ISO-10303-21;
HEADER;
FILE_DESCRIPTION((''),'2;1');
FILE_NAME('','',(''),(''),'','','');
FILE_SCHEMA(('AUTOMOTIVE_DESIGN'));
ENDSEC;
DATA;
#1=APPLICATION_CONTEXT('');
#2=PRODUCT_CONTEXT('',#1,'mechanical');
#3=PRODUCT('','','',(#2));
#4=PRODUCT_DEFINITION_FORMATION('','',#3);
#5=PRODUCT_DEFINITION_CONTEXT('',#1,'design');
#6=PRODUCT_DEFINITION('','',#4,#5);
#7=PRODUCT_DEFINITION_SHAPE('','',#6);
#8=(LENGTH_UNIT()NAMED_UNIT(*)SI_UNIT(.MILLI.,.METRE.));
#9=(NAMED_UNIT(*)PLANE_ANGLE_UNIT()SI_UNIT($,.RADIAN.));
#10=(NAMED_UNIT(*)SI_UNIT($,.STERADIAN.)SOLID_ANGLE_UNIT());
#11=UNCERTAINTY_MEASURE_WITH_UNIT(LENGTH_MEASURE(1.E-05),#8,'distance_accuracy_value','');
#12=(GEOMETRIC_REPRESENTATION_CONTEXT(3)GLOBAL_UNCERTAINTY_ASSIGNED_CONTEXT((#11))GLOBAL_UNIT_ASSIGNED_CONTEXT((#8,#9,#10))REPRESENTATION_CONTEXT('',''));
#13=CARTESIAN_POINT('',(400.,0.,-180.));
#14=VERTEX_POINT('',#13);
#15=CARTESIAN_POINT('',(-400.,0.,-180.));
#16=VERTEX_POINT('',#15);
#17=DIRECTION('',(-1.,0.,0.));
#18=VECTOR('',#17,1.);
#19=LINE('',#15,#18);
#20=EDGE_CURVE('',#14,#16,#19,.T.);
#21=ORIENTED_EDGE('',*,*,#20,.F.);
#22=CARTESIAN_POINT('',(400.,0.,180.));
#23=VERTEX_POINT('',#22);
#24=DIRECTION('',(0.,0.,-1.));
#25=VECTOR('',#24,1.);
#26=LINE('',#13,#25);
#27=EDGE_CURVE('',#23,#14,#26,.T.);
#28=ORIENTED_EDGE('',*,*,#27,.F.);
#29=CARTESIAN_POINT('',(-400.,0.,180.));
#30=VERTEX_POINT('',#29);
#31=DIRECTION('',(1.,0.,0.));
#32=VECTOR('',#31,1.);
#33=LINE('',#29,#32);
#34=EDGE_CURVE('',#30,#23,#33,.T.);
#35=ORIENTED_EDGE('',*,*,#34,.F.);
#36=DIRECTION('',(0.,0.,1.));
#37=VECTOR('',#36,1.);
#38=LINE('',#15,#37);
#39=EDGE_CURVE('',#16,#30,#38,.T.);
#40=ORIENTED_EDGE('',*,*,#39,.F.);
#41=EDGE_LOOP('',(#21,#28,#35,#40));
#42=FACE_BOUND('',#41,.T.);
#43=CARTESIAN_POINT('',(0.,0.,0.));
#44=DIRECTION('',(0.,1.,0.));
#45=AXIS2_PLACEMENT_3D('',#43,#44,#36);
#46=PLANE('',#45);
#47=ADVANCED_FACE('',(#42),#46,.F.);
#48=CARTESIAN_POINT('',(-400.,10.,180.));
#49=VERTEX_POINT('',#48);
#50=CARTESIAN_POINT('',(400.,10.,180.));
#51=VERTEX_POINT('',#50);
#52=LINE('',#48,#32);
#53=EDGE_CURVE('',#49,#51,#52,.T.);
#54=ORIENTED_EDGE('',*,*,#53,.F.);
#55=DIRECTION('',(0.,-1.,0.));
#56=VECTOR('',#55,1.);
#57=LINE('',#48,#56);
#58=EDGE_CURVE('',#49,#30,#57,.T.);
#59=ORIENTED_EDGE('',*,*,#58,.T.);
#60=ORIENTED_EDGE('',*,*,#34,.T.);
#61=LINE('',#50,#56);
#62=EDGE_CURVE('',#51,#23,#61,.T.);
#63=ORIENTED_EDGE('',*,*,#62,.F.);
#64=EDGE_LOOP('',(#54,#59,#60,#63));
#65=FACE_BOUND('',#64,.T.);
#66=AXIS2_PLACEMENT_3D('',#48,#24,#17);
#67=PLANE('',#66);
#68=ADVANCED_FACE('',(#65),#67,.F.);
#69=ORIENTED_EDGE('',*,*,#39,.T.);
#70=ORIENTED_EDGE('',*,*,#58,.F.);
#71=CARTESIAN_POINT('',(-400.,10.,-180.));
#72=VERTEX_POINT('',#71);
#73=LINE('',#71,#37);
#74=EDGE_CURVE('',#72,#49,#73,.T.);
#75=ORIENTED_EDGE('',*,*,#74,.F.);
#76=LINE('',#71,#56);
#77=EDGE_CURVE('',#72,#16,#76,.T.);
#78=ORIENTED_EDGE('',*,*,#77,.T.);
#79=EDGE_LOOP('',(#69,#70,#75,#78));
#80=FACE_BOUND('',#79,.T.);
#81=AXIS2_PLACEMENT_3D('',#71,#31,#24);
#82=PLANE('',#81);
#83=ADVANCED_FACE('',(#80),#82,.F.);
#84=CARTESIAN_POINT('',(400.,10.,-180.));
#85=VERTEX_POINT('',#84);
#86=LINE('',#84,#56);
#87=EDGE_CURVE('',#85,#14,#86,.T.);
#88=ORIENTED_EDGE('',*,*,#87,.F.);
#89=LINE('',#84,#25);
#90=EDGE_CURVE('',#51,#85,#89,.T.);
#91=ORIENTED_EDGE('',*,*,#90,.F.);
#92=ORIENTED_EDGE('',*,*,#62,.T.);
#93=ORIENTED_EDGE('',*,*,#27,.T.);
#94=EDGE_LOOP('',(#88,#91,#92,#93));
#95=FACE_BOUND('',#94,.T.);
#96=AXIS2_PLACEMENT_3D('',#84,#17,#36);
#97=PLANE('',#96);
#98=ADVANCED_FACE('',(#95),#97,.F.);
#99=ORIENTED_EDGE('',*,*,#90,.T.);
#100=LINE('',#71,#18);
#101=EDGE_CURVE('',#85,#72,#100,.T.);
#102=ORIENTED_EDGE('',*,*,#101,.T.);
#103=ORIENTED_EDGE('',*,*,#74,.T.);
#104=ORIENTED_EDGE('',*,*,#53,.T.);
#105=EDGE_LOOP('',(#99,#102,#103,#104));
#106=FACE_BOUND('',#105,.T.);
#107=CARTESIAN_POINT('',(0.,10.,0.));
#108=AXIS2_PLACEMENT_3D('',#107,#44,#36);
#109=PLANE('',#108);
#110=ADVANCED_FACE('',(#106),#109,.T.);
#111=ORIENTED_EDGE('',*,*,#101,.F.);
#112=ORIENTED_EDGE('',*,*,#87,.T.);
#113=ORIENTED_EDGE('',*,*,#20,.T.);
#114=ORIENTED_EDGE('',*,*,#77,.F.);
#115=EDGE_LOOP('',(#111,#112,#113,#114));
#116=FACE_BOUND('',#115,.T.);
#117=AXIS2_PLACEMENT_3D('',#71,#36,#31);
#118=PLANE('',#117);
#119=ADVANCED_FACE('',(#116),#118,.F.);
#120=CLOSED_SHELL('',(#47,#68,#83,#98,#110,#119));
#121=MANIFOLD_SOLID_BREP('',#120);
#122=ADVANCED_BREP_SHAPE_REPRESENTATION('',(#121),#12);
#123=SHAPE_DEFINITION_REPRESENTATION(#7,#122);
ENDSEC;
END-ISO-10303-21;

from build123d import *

# Parameters (mm, degrees)
SKETCH_1_W      = 800
SKETCH_1_H      = 360
EXTRUDE_1_DEPTH = 10


with BuildPart() as part:
    # Эскиз1 → Бобышка-Вытянуть1 (new body)
    with BuildSketch(Plane(origin=(0, 0, 0), x_dir=(1, 0, 0), z_dir=(0, 1, 0))):
        Rectangle(SKETCH_1_W, SKETCH_1_H)
    extrude(amount=EXTRUDE_1_DEPTH)


solid = part.part
